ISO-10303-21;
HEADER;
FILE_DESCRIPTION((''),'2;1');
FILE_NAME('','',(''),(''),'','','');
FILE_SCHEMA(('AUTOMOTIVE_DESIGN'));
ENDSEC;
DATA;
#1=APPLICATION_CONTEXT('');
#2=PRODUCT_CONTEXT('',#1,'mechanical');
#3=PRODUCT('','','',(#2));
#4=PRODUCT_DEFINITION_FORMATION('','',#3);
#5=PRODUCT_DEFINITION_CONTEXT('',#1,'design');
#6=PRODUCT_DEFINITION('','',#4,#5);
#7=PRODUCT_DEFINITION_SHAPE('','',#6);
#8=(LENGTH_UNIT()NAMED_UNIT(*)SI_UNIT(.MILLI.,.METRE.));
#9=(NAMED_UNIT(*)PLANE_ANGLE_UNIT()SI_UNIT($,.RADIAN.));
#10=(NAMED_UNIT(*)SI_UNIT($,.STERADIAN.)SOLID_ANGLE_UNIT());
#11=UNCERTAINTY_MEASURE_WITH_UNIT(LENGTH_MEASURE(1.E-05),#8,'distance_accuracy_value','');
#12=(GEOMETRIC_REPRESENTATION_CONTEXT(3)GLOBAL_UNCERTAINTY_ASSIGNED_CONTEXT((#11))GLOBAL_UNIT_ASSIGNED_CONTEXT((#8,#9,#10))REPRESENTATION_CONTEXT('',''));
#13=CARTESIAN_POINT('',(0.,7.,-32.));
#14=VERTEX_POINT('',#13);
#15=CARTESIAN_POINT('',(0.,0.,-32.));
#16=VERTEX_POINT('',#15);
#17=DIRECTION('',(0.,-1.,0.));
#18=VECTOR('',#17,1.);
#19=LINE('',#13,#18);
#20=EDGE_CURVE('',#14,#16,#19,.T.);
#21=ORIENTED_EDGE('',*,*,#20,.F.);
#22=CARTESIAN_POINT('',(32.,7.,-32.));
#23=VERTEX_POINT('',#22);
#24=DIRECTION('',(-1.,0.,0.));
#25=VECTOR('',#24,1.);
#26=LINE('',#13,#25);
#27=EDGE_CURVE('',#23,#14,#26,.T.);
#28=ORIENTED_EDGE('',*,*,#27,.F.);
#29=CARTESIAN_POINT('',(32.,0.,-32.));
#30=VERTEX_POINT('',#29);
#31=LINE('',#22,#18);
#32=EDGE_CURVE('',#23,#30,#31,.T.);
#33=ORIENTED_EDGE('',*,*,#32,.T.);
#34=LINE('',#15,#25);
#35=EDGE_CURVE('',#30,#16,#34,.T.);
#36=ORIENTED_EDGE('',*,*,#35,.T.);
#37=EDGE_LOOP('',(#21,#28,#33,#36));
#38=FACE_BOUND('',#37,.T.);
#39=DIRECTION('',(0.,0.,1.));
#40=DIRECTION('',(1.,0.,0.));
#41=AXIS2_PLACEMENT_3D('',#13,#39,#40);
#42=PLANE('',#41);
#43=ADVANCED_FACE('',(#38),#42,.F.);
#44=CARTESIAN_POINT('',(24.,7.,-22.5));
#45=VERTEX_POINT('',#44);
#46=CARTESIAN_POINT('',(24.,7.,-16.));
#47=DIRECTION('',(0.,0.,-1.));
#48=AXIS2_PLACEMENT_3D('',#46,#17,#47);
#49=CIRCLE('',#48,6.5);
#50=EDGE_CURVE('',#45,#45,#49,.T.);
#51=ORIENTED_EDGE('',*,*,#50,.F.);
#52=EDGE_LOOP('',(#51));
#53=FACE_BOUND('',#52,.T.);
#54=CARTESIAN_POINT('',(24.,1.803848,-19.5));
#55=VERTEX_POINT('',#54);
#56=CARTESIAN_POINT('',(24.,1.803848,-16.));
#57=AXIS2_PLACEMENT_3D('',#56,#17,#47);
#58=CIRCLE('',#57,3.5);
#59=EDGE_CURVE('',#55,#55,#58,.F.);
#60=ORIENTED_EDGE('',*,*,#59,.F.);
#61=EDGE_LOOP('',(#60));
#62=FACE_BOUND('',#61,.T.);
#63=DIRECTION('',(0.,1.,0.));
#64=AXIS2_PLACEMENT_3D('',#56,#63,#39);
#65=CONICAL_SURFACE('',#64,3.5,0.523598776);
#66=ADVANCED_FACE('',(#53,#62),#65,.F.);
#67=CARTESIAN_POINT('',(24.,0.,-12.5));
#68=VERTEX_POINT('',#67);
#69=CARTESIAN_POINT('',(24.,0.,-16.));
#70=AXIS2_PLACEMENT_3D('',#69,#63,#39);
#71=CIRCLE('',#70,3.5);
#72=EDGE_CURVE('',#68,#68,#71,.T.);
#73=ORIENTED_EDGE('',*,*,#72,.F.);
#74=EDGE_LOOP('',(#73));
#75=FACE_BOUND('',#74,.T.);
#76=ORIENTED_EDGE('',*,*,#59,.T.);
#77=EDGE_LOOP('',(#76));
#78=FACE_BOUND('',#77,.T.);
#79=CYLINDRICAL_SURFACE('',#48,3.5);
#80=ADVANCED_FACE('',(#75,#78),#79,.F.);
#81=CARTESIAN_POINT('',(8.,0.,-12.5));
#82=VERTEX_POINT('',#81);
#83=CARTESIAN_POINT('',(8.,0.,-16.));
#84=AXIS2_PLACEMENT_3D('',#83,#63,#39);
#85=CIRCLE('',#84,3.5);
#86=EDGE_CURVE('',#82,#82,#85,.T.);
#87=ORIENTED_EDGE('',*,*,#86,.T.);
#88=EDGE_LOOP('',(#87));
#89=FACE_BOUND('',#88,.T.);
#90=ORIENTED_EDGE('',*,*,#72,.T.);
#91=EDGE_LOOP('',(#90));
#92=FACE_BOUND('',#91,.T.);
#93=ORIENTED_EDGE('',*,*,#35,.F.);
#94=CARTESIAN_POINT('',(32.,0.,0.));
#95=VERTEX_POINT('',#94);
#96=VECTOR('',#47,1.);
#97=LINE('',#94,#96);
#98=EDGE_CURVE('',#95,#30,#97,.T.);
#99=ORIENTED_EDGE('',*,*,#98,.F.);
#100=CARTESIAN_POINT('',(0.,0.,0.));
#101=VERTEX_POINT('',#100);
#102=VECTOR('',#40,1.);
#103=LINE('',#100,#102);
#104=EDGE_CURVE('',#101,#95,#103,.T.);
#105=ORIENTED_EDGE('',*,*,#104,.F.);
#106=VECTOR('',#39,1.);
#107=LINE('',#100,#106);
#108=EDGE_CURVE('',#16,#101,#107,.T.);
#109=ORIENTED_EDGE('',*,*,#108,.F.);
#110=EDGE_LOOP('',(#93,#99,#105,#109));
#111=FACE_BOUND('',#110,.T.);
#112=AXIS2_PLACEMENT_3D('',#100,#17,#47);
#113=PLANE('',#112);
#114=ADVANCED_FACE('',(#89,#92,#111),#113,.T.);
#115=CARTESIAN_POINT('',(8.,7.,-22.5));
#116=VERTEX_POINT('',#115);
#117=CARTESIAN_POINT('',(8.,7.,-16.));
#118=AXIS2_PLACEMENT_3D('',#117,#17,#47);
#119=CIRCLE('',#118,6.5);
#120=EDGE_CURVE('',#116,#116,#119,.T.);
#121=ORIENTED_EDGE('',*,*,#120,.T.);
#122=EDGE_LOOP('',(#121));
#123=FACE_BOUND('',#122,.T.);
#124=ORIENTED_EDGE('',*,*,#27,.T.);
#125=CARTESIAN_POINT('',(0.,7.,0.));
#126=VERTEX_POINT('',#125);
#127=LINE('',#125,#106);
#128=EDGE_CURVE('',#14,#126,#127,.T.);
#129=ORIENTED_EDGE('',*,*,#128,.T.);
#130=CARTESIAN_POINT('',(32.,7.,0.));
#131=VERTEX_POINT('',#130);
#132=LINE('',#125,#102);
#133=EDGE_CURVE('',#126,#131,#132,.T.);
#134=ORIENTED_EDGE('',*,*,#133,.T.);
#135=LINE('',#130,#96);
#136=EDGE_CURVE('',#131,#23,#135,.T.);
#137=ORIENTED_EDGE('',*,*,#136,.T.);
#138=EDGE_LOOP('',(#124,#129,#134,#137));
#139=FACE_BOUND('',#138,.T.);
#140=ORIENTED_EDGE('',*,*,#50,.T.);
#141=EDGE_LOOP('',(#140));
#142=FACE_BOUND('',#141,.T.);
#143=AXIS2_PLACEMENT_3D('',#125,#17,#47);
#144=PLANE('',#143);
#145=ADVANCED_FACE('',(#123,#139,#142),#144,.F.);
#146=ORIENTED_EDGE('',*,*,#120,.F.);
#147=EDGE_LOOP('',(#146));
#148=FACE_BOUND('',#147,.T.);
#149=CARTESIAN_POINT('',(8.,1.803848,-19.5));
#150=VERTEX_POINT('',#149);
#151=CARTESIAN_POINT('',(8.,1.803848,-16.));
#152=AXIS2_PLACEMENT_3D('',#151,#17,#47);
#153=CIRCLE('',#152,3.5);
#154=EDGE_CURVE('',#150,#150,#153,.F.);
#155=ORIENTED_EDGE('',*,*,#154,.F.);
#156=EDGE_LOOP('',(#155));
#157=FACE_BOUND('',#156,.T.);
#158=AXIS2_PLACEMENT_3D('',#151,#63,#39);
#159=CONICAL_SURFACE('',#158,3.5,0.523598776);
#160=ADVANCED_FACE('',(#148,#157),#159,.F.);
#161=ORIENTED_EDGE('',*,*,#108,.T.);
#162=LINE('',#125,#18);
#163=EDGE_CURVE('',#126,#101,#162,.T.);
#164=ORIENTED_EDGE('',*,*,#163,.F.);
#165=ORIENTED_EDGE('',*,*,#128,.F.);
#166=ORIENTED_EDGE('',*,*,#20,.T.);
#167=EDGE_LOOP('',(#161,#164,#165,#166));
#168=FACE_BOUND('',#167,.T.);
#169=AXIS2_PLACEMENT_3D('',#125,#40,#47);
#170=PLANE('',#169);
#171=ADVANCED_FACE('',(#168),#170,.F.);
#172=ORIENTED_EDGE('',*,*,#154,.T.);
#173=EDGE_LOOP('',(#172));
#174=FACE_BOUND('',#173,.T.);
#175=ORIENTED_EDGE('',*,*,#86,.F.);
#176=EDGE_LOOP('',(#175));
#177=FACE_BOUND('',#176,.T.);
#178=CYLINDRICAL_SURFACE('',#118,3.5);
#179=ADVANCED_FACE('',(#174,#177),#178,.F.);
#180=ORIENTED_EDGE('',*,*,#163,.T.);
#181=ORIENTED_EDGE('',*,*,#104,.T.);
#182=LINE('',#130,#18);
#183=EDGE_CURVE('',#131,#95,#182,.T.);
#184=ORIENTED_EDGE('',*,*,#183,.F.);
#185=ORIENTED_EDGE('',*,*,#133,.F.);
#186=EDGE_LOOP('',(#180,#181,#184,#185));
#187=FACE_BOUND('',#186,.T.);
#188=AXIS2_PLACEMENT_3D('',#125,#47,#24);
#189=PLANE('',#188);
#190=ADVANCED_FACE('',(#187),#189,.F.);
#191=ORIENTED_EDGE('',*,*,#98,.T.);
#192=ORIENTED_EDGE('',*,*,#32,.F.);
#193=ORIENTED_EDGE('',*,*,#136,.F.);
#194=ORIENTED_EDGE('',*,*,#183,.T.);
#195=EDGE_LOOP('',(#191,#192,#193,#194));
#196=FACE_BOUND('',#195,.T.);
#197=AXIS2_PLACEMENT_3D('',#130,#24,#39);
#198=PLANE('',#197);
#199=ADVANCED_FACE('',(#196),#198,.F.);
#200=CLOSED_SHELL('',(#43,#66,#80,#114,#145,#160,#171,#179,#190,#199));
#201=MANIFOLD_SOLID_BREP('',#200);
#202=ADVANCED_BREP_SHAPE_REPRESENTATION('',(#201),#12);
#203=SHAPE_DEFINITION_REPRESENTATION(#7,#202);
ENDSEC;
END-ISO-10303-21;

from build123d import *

# Parameters (mm, degrees)
SKETCH2_W           = 32
SKETCH2_H           = 32
SKETCH2_R           = 3.5
BOSS_EXTRUDE1_DEPTH = 7
CHAMFER2_SIZE       = 3
CHAMFER2_SIZE2      = 5.196152423
CHAMFER3_SIZE       = 3
CHAMFER3_SIZE2      = 5.196152423


with BuildPart() as part:
    # Sketch2 → Boss-Extrude1 (new body)
    with BuildSketch(Plane(origin=(0, 0, 0), x_dir=(1, 0, 0), z_dir=(0, 1, 0))):
        with Locations((16, 16)):
            Rectangle(SKETCH2_W, SKETCH2_H)
        with Locations((8, 16)):
            Circle(SKETCH2_R, mode=Mode.SUBTRACT)
        with Locations((24, 16)):
            Circle(SKETCH2_R, mode=Mode.SUBTRACT)
    extrude(amount=BOSS_EXTRUDE1_DEPTH)

    # Chamfer2
    chamfer2_edges = [part.edges().sort_by_distance(p)[0] for p in [
        (20.5, 7, -16),
    ]]
    chamfer2_side = [part.faces().sort_by_distance(p)[0] for p in [
        (16, 7, -16),
    ]]
    chamfer(chamfer2_edges, length=CHAMFER2_SIZE, length2=CHAMFER2_SIZE2, reference=chamfer2_side[0])

    # Chamfer3
    chamfer3_edges = [part.edges().sort_by_distance(p)[0] for p in [
        (4.5, 7, -16),
    ]]
    chamfer3_side = [part.faces().sort_by_distance(p)[0] for p in [
        (15.115857071, 7, -16),
    ]]
    chamfer(chamfer3_edges, length=CHAMFER3_SIZE, length2=CHAMFER3_SIZE2, reference=chamfer3_side[0])


solid = part.part
